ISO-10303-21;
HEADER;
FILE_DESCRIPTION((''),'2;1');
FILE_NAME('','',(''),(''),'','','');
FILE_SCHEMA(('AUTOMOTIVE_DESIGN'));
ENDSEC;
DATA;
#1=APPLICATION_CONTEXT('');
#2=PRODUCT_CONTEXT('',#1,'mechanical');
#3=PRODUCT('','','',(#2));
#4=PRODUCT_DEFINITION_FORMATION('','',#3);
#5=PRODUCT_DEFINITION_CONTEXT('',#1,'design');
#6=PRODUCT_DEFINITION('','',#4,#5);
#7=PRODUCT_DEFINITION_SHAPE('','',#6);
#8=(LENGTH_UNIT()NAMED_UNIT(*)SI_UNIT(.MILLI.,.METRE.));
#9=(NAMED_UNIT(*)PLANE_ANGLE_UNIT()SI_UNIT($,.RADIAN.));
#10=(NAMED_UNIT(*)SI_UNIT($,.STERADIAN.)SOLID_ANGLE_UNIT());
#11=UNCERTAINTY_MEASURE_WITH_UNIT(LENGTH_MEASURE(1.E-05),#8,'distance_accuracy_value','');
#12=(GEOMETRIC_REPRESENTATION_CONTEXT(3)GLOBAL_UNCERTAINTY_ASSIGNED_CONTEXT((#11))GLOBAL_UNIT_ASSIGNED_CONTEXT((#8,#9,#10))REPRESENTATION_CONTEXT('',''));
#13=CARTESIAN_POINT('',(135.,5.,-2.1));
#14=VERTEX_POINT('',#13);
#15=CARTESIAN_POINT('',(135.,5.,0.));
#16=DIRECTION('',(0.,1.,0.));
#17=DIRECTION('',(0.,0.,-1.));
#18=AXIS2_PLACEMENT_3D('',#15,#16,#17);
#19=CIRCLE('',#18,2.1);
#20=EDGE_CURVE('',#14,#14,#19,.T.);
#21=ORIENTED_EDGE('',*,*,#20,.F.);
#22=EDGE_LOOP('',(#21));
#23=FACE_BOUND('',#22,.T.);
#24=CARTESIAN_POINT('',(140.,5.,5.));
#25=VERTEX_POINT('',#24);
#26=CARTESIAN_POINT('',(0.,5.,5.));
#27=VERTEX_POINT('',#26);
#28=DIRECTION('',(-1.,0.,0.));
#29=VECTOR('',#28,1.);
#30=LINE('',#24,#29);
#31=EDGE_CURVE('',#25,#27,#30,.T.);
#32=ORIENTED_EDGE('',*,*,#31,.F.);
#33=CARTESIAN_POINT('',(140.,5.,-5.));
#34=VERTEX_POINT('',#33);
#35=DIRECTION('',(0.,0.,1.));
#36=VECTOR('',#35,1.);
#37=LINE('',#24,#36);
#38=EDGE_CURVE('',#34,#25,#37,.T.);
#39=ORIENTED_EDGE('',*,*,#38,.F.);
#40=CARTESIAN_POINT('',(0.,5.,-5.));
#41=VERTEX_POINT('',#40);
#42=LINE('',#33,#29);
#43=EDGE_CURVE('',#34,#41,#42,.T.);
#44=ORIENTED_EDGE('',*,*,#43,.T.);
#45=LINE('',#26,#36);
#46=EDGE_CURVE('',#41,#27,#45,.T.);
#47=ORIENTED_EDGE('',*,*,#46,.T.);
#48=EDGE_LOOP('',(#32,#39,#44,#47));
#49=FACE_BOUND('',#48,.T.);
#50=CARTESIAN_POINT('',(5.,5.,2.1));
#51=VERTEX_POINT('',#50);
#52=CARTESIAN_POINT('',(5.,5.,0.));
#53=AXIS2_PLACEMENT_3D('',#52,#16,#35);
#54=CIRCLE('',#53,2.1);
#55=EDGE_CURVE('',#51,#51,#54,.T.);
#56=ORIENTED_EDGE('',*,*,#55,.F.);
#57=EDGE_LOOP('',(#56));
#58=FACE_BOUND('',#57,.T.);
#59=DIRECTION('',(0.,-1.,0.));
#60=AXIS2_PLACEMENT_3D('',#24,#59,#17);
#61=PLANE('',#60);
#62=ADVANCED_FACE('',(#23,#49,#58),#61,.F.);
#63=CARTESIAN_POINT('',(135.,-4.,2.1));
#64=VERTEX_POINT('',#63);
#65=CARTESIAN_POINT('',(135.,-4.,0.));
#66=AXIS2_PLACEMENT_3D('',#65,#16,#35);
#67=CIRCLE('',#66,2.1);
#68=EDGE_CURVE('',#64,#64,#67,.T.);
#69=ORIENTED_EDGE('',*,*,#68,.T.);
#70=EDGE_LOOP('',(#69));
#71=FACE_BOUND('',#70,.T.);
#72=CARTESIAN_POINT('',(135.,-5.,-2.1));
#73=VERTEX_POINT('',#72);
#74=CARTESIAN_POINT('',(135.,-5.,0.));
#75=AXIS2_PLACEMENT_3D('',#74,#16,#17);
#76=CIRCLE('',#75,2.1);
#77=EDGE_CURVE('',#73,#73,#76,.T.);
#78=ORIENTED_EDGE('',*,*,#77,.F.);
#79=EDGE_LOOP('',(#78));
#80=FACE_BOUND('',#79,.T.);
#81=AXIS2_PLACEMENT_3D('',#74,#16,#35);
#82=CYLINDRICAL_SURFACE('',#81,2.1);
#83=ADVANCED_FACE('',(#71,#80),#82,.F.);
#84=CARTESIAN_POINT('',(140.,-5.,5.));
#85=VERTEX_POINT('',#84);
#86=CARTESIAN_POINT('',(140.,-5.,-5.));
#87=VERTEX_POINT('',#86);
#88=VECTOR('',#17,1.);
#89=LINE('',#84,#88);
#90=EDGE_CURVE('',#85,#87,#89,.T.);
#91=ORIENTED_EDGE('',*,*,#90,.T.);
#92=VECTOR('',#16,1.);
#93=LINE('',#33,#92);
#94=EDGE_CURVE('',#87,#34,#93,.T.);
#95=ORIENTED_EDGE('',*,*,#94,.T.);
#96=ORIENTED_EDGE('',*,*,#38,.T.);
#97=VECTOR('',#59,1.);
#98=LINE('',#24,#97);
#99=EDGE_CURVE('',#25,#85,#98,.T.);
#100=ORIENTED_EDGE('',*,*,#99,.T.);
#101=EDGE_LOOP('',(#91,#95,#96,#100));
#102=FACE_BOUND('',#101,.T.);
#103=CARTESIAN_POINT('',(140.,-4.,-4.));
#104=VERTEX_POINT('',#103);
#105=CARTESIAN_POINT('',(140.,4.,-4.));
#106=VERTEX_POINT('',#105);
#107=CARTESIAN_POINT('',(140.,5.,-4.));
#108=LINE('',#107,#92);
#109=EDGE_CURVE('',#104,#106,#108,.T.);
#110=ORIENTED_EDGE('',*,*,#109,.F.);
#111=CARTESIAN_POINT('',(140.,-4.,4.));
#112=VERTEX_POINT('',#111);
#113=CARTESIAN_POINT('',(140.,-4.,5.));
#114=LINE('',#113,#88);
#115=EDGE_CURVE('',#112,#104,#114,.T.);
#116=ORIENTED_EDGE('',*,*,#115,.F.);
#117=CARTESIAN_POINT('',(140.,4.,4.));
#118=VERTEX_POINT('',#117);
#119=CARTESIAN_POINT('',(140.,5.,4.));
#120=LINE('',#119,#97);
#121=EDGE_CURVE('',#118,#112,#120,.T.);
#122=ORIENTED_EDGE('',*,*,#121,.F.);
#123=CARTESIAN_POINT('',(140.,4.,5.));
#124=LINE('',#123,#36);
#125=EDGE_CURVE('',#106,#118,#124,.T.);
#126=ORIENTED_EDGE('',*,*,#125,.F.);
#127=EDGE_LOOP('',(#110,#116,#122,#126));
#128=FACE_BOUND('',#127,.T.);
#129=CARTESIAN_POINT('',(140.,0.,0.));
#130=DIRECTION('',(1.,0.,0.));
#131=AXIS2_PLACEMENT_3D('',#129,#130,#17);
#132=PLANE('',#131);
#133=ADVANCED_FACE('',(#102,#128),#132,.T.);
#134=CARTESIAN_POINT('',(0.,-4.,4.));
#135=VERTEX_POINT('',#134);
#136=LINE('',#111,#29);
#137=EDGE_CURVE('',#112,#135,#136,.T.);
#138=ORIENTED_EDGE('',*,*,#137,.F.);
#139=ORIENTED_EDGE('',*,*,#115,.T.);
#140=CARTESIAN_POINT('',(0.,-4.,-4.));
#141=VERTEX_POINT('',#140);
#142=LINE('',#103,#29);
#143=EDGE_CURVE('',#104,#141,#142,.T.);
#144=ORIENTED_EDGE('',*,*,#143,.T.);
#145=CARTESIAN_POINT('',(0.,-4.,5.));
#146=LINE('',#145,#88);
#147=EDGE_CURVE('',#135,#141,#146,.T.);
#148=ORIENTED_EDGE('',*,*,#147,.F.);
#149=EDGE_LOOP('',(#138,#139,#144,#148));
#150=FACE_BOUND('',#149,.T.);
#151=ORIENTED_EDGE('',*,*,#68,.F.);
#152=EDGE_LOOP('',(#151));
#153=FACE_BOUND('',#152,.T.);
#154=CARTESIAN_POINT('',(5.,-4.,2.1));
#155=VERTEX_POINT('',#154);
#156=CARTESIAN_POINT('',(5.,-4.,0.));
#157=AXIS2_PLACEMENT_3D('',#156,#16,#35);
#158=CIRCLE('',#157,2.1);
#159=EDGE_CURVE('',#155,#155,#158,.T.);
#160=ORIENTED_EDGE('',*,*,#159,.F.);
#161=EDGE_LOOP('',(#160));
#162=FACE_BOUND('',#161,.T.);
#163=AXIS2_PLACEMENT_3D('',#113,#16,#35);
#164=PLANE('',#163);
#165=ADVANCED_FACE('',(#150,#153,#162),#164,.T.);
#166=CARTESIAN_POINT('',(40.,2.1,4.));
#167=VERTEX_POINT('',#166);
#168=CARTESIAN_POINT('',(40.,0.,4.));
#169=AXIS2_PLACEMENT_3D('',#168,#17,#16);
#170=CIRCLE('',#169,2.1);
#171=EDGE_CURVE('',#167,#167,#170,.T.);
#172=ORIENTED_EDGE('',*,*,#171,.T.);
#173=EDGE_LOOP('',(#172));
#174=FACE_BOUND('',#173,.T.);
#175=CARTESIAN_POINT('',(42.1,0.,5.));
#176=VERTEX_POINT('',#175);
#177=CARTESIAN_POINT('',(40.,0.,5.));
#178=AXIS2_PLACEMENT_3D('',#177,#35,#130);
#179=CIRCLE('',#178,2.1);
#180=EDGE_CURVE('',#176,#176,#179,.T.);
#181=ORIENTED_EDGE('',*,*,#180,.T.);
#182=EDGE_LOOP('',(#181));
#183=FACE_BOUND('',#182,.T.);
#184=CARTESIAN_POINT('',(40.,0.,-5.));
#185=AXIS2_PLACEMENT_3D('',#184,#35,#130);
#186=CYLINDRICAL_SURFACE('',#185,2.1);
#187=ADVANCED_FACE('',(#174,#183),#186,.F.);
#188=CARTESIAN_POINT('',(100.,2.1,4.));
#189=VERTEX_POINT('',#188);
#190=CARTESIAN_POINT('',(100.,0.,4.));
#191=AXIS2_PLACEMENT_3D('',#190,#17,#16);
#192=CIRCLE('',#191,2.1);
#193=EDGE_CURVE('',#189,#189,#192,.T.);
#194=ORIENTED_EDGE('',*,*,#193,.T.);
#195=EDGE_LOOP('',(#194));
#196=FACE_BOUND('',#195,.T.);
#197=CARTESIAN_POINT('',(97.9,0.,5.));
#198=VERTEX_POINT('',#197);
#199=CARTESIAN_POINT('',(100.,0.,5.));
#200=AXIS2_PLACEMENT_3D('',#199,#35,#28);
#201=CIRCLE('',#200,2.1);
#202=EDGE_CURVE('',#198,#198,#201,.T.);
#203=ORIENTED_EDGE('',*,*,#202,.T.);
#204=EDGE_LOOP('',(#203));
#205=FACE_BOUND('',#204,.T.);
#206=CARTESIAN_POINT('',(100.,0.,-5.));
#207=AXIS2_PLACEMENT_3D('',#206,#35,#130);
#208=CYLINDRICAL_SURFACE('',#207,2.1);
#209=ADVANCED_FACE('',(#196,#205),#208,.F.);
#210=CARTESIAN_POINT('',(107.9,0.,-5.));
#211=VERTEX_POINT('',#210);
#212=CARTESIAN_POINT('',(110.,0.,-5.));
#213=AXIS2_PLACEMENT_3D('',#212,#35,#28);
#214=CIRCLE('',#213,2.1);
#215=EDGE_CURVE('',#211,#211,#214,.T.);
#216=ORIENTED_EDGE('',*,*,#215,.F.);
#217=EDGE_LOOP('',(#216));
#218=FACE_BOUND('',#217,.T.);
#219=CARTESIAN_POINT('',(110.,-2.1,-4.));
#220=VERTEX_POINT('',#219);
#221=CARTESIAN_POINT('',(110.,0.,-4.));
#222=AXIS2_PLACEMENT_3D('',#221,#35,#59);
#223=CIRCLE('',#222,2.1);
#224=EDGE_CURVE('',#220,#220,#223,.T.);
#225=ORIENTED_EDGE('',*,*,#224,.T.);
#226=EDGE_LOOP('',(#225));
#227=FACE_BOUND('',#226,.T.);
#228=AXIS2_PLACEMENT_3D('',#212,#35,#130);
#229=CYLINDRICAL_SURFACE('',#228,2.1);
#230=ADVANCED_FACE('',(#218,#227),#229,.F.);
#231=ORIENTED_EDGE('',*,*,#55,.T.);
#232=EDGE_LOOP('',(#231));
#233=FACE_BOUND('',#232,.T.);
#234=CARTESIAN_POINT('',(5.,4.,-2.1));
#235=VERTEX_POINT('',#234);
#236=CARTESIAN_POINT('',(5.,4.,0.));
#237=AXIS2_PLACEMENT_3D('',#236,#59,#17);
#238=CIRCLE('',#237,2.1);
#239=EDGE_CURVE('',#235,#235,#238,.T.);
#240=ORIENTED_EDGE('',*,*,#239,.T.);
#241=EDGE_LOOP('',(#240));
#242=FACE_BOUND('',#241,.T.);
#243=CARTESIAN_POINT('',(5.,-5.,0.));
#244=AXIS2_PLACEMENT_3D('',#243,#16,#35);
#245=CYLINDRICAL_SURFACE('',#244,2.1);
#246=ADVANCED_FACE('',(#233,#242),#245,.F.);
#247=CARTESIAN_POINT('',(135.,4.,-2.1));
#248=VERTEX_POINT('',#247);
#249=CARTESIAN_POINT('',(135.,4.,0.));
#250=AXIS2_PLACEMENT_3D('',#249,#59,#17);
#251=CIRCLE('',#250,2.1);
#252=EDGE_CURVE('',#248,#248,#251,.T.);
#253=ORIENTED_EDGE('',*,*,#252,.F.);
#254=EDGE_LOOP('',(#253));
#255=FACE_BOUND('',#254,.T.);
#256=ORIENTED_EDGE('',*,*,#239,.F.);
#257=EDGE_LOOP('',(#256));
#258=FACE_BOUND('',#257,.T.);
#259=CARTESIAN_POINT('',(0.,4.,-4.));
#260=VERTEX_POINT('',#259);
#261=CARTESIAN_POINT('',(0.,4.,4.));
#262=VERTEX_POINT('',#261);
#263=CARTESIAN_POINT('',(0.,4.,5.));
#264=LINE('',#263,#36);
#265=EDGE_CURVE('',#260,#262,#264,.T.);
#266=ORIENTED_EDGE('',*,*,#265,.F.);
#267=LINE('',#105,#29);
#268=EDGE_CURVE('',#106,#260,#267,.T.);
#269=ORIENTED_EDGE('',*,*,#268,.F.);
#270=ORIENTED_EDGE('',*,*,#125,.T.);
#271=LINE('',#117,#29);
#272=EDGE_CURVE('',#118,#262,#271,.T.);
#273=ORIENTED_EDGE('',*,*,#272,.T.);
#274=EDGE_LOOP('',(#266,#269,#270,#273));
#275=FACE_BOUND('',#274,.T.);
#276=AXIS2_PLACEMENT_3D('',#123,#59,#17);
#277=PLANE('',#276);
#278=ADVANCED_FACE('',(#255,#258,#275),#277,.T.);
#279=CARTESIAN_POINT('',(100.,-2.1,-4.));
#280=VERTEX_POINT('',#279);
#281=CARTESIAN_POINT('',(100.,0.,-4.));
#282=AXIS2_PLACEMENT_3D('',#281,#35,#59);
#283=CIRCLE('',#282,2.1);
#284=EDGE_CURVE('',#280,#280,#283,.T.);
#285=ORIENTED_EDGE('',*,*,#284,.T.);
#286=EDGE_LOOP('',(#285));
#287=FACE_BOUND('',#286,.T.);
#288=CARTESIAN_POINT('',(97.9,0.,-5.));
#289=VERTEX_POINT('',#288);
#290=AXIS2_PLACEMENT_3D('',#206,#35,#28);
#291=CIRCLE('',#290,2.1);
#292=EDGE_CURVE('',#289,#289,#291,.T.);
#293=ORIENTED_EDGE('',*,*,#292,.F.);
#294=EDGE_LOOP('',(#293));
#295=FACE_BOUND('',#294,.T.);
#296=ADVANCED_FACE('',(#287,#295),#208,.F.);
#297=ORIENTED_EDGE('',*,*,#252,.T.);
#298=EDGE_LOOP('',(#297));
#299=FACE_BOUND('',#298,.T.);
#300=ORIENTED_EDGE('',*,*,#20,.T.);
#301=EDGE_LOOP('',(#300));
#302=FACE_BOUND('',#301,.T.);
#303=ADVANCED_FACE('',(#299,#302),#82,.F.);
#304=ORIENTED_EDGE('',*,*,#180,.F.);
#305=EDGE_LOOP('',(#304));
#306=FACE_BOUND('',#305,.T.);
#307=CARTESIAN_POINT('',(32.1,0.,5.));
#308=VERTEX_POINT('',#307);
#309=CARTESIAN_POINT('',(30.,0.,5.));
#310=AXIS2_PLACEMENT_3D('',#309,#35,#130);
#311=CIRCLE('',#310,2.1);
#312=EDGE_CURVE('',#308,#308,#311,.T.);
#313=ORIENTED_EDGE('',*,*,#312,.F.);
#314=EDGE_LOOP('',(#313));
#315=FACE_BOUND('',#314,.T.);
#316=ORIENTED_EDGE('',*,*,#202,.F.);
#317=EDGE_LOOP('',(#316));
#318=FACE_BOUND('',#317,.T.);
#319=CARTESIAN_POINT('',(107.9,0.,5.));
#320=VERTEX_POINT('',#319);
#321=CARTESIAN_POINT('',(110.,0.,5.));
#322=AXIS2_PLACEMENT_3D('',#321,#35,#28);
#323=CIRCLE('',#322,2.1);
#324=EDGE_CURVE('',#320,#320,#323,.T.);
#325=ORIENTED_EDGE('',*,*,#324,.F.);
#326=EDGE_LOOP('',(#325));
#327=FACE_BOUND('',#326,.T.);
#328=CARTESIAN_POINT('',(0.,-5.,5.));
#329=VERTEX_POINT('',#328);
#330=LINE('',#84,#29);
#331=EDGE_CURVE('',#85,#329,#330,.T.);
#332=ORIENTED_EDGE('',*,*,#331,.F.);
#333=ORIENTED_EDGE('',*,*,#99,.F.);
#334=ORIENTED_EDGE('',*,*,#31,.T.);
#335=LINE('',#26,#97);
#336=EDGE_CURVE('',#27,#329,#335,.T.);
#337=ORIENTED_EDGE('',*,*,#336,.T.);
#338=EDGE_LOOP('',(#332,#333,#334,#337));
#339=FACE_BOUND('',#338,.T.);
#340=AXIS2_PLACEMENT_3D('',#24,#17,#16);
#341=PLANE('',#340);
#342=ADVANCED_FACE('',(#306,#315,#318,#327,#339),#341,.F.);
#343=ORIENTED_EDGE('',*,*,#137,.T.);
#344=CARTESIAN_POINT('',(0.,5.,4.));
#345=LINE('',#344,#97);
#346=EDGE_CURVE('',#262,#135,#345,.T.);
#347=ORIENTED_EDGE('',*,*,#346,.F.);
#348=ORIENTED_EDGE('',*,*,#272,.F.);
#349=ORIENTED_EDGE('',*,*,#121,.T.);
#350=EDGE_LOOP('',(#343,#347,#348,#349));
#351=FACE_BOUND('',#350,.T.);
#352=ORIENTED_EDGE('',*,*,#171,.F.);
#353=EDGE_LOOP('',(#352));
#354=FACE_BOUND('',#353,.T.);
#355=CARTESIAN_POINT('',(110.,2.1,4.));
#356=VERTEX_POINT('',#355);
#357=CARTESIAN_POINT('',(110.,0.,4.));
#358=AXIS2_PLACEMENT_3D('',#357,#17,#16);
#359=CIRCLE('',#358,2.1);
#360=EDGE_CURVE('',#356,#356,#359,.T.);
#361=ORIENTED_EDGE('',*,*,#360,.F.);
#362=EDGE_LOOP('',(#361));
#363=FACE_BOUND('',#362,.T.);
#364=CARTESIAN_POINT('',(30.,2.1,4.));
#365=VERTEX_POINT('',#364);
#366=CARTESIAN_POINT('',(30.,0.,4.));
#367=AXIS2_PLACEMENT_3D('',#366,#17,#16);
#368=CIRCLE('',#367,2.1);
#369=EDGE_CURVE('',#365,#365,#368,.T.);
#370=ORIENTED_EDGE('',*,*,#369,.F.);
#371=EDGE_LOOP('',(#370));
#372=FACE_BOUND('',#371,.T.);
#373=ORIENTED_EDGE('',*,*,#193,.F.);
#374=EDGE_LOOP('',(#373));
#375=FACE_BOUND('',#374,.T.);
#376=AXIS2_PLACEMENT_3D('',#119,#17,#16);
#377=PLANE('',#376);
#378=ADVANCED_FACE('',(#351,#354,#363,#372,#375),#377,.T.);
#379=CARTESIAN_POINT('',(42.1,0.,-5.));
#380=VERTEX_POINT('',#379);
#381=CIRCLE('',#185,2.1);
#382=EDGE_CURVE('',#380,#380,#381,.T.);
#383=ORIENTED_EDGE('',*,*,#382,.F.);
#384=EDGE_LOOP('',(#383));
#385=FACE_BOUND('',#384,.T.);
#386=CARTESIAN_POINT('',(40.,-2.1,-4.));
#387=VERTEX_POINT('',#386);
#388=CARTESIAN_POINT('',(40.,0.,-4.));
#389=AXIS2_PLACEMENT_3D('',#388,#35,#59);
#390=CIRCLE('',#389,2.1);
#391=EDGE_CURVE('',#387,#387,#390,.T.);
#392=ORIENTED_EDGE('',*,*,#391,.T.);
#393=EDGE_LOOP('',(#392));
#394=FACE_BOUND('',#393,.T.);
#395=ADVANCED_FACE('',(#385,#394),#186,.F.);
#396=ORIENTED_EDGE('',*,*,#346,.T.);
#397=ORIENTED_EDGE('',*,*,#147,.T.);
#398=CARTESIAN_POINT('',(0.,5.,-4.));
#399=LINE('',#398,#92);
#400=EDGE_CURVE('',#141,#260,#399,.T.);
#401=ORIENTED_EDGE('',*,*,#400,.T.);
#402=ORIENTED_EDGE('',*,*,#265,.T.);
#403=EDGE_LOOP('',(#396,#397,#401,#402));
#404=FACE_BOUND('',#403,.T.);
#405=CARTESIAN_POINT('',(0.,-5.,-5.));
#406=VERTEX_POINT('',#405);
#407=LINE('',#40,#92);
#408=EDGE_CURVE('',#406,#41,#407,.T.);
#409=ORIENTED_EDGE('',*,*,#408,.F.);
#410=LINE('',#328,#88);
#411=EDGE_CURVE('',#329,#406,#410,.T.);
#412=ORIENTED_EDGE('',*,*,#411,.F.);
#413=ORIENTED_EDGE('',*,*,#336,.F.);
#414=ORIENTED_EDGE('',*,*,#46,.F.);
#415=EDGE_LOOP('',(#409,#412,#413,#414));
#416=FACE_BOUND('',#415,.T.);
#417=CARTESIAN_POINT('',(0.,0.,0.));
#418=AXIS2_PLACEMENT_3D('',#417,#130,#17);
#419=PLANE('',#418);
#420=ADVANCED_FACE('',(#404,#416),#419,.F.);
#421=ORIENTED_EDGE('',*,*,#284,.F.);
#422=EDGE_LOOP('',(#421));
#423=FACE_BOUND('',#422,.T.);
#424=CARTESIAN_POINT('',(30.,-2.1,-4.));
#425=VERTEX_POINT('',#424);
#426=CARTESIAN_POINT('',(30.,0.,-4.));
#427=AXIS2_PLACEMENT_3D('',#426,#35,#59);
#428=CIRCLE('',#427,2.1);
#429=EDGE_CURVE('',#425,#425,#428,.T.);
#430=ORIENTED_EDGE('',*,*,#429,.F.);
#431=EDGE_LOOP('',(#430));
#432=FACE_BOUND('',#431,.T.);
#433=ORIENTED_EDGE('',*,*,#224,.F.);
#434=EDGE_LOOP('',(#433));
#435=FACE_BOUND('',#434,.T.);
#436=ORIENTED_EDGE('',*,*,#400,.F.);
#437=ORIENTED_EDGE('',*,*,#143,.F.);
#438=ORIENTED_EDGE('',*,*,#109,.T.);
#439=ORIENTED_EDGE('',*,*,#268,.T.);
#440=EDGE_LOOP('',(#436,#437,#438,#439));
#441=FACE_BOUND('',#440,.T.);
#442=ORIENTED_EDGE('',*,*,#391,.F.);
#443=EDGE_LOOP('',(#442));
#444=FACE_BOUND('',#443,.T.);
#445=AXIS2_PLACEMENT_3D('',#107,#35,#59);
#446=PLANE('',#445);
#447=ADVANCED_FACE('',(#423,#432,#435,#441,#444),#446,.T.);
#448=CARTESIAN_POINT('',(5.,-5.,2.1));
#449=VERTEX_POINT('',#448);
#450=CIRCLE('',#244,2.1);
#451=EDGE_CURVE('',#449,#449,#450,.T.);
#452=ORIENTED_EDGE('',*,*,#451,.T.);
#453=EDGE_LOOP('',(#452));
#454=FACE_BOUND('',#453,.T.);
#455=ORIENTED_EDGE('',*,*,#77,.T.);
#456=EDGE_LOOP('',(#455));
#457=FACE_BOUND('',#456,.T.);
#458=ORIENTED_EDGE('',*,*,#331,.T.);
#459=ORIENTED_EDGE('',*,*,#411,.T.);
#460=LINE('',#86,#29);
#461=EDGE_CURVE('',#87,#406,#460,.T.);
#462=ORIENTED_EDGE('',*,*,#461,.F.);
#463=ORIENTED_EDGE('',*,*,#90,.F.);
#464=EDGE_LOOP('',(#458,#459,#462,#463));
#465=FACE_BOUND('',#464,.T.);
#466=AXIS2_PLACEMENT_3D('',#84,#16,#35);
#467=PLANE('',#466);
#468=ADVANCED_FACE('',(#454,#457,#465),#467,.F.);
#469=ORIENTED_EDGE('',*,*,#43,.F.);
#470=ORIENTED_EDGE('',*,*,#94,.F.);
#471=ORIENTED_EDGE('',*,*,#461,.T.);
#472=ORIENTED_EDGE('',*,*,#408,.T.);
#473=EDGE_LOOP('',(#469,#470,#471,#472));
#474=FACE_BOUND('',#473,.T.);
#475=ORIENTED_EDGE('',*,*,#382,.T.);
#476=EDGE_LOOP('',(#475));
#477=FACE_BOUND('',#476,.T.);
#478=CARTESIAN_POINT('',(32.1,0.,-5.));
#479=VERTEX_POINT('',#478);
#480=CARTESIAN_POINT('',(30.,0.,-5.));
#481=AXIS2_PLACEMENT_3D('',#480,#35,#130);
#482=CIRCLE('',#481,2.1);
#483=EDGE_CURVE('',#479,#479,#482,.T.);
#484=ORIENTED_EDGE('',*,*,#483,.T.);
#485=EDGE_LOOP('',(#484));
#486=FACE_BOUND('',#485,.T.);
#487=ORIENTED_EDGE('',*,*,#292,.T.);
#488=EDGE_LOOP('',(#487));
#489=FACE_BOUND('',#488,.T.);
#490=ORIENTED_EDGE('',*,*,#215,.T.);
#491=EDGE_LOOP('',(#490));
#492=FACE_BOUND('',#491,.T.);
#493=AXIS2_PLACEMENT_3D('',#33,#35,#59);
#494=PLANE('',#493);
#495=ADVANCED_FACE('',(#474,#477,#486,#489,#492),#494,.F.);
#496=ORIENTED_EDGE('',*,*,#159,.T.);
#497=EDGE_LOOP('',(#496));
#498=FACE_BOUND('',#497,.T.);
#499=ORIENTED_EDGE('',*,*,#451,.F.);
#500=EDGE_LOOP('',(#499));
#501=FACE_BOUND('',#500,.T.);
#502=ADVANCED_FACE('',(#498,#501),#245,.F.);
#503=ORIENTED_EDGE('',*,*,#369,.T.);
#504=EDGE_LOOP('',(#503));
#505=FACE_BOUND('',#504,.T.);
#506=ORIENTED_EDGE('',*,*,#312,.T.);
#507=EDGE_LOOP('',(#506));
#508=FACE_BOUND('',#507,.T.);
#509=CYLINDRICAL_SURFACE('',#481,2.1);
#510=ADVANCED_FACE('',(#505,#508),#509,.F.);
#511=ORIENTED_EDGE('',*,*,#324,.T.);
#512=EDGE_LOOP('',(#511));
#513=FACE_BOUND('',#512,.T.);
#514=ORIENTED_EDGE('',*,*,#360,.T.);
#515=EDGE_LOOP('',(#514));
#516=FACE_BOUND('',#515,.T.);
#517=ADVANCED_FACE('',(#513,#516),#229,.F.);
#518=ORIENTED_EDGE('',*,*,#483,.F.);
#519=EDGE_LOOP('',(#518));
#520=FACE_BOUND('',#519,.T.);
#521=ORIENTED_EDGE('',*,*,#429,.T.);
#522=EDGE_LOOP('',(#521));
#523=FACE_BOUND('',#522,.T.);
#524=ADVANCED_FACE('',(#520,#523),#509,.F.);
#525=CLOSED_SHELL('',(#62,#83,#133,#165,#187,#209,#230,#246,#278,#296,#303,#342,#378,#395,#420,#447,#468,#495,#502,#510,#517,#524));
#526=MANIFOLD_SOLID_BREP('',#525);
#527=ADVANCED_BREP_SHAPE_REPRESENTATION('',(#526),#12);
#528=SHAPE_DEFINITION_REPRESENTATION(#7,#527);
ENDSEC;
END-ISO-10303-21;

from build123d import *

# Parameters (mm, degrees)
SKETCH_1_W          = 10
SKETCH_1_H          = 10
SKETCH_1_W_2        = 8
SKETCH_1_H_2        = 8
EXTRUDE_1_DEPTH     = 140
SKETCH_2_R          = 2.1
CUT_EXTRUDE_1_DEPTH = 141.445719052
SKETCH_3_R          = 2.1
CUT_EXTRUDE_2_DEPTH = 141.445719052


with BuildPart() as part:
    # ｽｹｯﾁ1 → 押し出し-薄板1 (new body)
    with BuildSketch(Plane(origin=(0, 0, 0), x_dir=(0, 0, -1), z_dir=(1, 0, 0))):
        Rectangle(SKETCH_1_W, SKETCH_1_H)
        Rectangle(SKETCH_1_W_2, SKETCH_1_H_2, mode=Mode.SUBTRACT)
    extrude(amount=EXTRUDE_1_DEPTH)

    # ｽｹｯﾁ2 → ｶｯﾄ - 押し出し1 (cut, through all)
    with BuildSketch(Plane(origin=(0, 5, 0), x_dir=(1, 0, 0), z_dir=(0, 1, 0))):
        with Locations(Location((5, 0, 0), (0, 0, 270))):
            Circle(SKETCH_2_R)
        with Locations(Location((135, 0, 0), (0, 0, 270))):
            Circle(SKETCH_2_R)
    extrude(amount=-CUT_EXTRUDE_1_DEPTH, mode=Mode.SUBTRACT)

    # ｽｹｯﾁ3 → ｶｯﾄ - 押し出し2 (cut, through all)
    with BuildSketch(Plane.XY.offset(5)):
        with Locations((40, 0)):
            Circle(SKETCH_3_R)
        with Locations((30, 0)):
            Circle(SKETCH_3_R)
        with Locations(Location((110, 0, 0), (0, 0, 90))):
            Circle(SKETCH_3_R)
        with Locations(Location((100, 0, 0), (0, 0, 90))):
            Circle(SKETCH_3_R)
    extrude(amount=-CUT_EXTRUDE_2_DEPTH, mode=Mode.SUBTRACT)


solid = part.part
